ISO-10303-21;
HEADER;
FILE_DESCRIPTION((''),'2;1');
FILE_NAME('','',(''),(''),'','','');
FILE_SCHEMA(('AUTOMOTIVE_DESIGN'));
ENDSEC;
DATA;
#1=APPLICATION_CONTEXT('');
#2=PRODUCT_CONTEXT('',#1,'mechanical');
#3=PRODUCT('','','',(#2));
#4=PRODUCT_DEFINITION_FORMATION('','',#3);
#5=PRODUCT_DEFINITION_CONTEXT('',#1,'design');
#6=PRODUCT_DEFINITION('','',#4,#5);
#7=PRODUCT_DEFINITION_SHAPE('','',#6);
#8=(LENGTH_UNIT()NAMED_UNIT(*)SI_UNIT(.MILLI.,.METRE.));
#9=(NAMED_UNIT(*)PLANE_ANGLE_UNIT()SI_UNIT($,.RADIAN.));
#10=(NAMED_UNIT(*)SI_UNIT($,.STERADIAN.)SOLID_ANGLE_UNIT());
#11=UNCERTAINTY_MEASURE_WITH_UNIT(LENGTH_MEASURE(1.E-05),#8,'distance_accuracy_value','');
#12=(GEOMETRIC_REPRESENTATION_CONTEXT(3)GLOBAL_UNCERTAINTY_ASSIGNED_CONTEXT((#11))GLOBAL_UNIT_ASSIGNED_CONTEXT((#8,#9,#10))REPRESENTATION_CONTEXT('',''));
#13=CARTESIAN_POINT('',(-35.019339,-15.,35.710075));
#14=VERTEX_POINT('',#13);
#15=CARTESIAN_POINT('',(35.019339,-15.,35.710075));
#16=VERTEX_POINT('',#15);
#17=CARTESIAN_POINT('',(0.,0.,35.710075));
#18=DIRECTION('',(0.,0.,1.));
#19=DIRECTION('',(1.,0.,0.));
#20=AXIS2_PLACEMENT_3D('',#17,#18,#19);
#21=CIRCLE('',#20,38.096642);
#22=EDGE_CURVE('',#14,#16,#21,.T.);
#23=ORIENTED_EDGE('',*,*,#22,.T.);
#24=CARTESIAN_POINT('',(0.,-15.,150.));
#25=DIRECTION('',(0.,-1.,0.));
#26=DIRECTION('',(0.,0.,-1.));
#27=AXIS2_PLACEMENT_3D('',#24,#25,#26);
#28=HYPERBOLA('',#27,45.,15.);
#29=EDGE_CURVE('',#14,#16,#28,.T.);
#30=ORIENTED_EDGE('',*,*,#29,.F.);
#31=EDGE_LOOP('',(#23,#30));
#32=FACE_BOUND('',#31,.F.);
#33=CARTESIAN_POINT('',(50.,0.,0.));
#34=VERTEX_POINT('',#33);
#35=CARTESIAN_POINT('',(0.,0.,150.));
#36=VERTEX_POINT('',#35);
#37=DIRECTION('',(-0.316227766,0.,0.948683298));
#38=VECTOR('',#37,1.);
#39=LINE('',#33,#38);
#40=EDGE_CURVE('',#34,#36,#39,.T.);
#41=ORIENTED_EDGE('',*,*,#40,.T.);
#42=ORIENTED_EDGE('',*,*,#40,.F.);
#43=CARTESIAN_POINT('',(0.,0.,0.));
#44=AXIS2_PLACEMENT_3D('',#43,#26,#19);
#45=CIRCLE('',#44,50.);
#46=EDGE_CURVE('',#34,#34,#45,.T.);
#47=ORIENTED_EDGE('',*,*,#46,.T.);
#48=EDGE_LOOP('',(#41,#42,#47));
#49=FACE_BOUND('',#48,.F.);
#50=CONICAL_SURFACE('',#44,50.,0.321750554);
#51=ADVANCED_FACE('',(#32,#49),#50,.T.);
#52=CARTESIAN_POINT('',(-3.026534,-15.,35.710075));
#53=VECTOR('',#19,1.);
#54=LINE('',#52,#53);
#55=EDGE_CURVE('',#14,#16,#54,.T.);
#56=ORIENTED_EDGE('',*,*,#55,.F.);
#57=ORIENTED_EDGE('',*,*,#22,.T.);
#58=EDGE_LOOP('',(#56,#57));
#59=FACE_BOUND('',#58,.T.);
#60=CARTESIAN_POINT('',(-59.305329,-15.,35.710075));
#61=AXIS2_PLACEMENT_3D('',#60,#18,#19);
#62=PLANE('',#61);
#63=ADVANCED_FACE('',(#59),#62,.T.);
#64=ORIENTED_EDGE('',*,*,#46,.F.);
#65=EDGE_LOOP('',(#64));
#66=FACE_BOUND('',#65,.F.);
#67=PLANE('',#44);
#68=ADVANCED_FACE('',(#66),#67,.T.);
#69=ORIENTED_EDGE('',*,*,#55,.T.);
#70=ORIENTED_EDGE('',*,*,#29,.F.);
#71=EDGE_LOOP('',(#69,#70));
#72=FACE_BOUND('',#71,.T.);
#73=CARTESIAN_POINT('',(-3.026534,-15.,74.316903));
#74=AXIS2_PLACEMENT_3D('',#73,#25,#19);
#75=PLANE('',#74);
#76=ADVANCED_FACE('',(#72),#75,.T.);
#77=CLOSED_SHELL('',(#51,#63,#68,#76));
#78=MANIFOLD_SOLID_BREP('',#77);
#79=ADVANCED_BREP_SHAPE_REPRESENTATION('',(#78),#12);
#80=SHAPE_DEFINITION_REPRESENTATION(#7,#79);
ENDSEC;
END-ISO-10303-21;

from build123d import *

# Parameters (mm, degrees)
F3_START = 15
F2_W     = 112.5575900078
F2_H     = 77.2136547603
F3_DEPTH = 35.001


with BuildPart() as f1:
    # F0 (on Front) → F1 (revolve)
    with BuildSketch(Plane.XZ):
        Polygon((50, 0), (0, 150), (0, 0), align=None)
    revolve(axis=Axis((0, 0, 29.4279232289), (0, 0, -1)))

    # F2 (on Front) → F3 (cut)
    with BuildSketch(Plane.XZ.offset(F3_START)):
        with Locations((-3.0265338719, 74.3169027846)):
            Rectangle(F2_W, F2_H)
    extrude(amount=F3_DEPTH, mode=Mode.SUBTRACT)


solid = f1.part
